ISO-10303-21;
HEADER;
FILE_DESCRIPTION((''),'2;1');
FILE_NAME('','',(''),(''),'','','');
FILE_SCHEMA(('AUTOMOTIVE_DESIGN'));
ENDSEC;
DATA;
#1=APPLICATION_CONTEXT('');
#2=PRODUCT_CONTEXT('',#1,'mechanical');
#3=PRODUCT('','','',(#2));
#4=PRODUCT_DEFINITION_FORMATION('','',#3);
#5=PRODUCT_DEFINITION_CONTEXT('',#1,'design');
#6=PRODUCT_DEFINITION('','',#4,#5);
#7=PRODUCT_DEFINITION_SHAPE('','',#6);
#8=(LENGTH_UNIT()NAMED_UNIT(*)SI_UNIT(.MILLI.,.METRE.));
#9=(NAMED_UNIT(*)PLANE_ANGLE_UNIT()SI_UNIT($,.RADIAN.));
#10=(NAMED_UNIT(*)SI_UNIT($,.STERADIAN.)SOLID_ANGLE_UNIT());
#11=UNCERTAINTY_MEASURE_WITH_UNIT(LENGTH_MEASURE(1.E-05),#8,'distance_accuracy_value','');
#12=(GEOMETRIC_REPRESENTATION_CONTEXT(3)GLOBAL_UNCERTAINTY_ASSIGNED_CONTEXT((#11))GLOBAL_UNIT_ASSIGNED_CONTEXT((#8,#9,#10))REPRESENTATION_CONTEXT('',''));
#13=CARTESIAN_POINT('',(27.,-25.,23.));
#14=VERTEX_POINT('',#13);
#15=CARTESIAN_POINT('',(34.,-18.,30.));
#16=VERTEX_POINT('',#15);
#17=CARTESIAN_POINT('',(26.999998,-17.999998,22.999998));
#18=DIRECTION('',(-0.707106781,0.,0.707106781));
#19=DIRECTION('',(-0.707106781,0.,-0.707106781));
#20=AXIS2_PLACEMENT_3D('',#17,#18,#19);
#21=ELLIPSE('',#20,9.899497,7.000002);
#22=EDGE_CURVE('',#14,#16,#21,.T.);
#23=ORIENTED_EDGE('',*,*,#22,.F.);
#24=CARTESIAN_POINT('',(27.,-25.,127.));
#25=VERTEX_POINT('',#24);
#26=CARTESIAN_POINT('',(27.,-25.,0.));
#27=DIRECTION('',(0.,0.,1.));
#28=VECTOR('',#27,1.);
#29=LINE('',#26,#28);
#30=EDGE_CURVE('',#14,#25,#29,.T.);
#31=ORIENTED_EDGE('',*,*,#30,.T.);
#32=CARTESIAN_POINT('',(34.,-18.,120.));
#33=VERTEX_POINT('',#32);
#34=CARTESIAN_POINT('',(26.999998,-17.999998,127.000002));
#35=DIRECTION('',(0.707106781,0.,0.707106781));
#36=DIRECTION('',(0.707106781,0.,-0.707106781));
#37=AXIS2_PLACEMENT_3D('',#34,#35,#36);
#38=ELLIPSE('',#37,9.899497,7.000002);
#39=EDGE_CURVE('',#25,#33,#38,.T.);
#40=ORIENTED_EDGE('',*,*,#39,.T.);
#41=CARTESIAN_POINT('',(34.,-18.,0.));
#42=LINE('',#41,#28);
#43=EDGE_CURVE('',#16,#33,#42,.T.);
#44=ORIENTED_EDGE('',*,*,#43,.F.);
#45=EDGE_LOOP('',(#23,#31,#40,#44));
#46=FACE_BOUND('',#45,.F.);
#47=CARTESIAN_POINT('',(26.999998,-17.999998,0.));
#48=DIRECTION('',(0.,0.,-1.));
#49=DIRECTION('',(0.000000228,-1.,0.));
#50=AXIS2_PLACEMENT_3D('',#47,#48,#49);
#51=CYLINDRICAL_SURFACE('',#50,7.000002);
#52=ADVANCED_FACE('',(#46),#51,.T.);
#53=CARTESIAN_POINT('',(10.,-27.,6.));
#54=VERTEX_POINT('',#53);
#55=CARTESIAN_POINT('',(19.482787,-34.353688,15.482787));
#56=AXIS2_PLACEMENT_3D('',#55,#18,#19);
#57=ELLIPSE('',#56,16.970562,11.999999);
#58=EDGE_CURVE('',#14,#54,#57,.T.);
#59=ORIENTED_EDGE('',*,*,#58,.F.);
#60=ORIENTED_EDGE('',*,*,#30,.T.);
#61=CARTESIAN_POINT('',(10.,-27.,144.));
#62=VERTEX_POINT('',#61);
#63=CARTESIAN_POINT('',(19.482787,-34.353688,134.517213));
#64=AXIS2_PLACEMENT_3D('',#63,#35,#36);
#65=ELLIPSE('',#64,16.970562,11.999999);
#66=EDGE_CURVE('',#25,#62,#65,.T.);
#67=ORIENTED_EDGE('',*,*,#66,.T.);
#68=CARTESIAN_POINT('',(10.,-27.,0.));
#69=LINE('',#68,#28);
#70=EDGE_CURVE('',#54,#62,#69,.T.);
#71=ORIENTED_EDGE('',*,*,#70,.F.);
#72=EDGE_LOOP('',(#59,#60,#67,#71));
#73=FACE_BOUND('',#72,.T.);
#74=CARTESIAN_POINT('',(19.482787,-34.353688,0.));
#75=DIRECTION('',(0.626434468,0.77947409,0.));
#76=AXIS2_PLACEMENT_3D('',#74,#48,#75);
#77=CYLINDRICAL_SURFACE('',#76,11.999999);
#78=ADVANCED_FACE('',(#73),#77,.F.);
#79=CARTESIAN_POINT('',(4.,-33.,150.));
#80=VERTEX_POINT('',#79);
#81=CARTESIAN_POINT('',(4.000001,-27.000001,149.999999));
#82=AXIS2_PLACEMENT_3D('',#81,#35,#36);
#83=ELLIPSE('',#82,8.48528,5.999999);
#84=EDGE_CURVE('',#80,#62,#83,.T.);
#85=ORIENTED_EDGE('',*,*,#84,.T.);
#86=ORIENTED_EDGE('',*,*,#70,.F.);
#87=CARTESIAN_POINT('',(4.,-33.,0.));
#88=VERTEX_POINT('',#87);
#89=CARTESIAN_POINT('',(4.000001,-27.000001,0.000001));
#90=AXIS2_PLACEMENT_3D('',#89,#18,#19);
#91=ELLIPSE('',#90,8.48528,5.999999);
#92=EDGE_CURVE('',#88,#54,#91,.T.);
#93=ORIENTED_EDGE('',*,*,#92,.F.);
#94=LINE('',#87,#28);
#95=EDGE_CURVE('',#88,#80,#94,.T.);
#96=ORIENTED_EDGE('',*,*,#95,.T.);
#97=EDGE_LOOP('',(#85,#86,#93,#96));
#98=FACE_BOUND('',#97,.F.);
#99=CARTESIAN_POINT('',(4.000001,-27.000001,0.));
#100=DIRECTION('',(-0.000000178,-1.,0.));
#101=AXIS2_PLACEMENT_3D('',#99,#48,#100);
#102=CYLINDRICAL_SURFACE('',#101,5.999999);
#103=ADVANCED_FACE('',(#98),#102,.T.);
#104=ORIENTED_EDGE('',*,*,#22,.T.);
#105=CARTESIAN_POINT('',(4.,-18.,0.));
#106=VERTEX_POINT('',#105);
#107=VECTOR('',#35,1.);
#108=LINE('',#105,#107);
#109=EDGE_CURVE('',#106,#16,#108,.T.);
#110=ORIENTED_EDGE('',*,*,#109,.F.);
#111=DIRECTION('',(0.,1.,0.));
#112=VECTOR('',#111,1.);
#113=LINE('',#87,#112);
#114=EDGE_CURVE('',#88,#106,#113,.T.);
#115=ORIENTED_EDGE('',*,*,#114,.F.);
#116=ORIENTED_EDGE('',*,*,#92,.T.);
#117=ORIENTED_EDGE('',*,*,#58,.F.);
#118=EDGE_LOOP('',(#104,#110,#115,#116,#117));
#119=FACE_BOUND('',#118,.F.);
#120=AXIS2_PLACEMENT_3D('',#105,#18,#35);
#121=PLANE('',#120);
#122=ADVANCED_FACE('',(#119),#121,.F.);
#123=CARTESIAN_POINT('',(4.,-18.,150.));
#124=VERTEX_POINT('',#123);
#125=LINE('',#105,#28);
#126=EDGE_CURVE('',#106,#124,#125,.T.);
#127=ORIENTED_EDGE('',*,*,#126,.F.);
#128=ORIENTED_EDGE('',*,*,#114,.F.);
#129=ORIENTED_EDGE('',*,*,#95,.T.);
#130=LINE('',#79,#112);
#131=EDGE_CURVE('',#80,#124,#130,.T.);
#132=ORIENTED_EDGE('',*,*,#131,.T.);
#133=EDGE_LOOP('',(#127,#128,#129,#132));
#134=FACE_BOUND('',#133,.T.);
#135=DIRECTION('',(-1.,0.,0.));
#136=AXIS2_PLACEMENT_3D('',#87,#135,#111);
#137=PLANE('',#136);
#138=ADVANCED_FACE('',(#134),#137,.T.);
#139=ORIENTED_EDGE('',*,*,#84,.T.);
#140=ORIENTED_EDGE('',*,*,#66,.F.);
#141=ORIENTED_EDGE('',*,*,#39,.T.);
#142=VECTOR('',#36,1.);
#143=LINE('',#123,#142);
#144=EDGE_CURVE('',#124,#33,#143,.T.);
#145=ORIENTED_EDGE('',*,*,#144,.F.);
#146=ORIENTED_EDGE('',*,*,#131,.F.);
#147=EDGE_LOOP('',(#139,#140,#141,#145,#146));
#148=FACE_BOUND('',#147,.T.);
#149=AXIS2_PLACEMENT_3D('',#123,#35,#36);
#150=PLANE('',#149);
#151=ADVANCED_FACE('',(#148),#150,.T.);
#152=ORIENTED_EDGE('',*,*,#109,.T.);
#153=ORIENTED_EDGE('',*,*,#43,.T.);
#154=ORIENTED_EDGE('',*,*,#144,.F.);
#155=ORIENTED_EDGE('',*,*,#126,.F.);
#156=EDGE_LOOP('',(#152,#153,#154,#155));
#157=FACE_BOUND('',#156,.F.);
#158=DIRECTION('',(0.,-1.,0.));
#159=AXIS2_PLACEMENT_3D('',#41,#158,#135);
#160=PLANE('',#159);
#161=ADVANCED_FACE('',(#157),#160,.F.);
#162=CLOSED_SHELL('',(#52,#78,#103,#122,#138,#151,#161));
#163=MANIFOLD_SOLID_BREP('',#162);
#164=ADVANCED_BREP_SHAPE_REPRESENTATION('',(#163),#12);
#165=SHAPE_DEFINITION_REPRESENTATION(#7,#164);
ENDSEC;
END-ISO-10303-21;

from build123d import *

# Parameters (mm, degrees)
PAD011_DEPTH = 40
PAD010_DEPTH = 40
PAD009_DEPTH = 150


with BuildPart() as body_decoration_left_cut_top:
    # Sketch011 → Pad011 (new body)
    with BuildSketch(Plane(origin=(4, -18, 150), x_dir=(1, 0, 0), z_dir=(0, -1, 0))):
        Polygon((0, 0), (40, -40), (40, 0), align=None)
    extrude(amount=PAD011_DEPTH)


with BuildPart() as body_decoration_left_cut_bottom:
    # Sketch010 → Pad010 (new body)
    with BuildSketch(Plane(origin=(4, -18, 0), x_dir=(1, 0, 0), z_dir=(0, -1, 0))):
        Polygon((0, 0), (40, 40), (40, 0), align=None)
    extrude(amount=PAD010_DEPTH)


with BuildPart() as cut_decoration_left:
    # Sketch009 → Pad009 (new body)
    with BuildSketch(Plane(origin=(4, -18, 0), x_dir=(1, 0, 0), z_dir=(0, 0, 1))):
        with BuildLine():
            Line((30, 0), (0, 0))
            Line((0, -15), (0, 0))
            ThreePointArc((0, -15), (4.242641, -13.242641), (6, -9))
            ThreePointArc((23, -7), (14.080692, -4.435882), (6, -9))
            ThreePointArc((23, -7), (27.949747, -4.949747), (30, 0))
        make_face()
    extrude(amount=PAD009_DEPTH)

    # Cut002: cut Body, Decoration, Left, Cut, Bottom
    add(body_decoration_left_cut_bottom.part, mode=Mode.SUBTRACT)

    # Cut003: cut Body, Decoration, Left, Cut, Top
    add(body_decoration_left_cut_top.part, mode=Mode.SUBTRACT)


solid = cut_decoration_left.part
